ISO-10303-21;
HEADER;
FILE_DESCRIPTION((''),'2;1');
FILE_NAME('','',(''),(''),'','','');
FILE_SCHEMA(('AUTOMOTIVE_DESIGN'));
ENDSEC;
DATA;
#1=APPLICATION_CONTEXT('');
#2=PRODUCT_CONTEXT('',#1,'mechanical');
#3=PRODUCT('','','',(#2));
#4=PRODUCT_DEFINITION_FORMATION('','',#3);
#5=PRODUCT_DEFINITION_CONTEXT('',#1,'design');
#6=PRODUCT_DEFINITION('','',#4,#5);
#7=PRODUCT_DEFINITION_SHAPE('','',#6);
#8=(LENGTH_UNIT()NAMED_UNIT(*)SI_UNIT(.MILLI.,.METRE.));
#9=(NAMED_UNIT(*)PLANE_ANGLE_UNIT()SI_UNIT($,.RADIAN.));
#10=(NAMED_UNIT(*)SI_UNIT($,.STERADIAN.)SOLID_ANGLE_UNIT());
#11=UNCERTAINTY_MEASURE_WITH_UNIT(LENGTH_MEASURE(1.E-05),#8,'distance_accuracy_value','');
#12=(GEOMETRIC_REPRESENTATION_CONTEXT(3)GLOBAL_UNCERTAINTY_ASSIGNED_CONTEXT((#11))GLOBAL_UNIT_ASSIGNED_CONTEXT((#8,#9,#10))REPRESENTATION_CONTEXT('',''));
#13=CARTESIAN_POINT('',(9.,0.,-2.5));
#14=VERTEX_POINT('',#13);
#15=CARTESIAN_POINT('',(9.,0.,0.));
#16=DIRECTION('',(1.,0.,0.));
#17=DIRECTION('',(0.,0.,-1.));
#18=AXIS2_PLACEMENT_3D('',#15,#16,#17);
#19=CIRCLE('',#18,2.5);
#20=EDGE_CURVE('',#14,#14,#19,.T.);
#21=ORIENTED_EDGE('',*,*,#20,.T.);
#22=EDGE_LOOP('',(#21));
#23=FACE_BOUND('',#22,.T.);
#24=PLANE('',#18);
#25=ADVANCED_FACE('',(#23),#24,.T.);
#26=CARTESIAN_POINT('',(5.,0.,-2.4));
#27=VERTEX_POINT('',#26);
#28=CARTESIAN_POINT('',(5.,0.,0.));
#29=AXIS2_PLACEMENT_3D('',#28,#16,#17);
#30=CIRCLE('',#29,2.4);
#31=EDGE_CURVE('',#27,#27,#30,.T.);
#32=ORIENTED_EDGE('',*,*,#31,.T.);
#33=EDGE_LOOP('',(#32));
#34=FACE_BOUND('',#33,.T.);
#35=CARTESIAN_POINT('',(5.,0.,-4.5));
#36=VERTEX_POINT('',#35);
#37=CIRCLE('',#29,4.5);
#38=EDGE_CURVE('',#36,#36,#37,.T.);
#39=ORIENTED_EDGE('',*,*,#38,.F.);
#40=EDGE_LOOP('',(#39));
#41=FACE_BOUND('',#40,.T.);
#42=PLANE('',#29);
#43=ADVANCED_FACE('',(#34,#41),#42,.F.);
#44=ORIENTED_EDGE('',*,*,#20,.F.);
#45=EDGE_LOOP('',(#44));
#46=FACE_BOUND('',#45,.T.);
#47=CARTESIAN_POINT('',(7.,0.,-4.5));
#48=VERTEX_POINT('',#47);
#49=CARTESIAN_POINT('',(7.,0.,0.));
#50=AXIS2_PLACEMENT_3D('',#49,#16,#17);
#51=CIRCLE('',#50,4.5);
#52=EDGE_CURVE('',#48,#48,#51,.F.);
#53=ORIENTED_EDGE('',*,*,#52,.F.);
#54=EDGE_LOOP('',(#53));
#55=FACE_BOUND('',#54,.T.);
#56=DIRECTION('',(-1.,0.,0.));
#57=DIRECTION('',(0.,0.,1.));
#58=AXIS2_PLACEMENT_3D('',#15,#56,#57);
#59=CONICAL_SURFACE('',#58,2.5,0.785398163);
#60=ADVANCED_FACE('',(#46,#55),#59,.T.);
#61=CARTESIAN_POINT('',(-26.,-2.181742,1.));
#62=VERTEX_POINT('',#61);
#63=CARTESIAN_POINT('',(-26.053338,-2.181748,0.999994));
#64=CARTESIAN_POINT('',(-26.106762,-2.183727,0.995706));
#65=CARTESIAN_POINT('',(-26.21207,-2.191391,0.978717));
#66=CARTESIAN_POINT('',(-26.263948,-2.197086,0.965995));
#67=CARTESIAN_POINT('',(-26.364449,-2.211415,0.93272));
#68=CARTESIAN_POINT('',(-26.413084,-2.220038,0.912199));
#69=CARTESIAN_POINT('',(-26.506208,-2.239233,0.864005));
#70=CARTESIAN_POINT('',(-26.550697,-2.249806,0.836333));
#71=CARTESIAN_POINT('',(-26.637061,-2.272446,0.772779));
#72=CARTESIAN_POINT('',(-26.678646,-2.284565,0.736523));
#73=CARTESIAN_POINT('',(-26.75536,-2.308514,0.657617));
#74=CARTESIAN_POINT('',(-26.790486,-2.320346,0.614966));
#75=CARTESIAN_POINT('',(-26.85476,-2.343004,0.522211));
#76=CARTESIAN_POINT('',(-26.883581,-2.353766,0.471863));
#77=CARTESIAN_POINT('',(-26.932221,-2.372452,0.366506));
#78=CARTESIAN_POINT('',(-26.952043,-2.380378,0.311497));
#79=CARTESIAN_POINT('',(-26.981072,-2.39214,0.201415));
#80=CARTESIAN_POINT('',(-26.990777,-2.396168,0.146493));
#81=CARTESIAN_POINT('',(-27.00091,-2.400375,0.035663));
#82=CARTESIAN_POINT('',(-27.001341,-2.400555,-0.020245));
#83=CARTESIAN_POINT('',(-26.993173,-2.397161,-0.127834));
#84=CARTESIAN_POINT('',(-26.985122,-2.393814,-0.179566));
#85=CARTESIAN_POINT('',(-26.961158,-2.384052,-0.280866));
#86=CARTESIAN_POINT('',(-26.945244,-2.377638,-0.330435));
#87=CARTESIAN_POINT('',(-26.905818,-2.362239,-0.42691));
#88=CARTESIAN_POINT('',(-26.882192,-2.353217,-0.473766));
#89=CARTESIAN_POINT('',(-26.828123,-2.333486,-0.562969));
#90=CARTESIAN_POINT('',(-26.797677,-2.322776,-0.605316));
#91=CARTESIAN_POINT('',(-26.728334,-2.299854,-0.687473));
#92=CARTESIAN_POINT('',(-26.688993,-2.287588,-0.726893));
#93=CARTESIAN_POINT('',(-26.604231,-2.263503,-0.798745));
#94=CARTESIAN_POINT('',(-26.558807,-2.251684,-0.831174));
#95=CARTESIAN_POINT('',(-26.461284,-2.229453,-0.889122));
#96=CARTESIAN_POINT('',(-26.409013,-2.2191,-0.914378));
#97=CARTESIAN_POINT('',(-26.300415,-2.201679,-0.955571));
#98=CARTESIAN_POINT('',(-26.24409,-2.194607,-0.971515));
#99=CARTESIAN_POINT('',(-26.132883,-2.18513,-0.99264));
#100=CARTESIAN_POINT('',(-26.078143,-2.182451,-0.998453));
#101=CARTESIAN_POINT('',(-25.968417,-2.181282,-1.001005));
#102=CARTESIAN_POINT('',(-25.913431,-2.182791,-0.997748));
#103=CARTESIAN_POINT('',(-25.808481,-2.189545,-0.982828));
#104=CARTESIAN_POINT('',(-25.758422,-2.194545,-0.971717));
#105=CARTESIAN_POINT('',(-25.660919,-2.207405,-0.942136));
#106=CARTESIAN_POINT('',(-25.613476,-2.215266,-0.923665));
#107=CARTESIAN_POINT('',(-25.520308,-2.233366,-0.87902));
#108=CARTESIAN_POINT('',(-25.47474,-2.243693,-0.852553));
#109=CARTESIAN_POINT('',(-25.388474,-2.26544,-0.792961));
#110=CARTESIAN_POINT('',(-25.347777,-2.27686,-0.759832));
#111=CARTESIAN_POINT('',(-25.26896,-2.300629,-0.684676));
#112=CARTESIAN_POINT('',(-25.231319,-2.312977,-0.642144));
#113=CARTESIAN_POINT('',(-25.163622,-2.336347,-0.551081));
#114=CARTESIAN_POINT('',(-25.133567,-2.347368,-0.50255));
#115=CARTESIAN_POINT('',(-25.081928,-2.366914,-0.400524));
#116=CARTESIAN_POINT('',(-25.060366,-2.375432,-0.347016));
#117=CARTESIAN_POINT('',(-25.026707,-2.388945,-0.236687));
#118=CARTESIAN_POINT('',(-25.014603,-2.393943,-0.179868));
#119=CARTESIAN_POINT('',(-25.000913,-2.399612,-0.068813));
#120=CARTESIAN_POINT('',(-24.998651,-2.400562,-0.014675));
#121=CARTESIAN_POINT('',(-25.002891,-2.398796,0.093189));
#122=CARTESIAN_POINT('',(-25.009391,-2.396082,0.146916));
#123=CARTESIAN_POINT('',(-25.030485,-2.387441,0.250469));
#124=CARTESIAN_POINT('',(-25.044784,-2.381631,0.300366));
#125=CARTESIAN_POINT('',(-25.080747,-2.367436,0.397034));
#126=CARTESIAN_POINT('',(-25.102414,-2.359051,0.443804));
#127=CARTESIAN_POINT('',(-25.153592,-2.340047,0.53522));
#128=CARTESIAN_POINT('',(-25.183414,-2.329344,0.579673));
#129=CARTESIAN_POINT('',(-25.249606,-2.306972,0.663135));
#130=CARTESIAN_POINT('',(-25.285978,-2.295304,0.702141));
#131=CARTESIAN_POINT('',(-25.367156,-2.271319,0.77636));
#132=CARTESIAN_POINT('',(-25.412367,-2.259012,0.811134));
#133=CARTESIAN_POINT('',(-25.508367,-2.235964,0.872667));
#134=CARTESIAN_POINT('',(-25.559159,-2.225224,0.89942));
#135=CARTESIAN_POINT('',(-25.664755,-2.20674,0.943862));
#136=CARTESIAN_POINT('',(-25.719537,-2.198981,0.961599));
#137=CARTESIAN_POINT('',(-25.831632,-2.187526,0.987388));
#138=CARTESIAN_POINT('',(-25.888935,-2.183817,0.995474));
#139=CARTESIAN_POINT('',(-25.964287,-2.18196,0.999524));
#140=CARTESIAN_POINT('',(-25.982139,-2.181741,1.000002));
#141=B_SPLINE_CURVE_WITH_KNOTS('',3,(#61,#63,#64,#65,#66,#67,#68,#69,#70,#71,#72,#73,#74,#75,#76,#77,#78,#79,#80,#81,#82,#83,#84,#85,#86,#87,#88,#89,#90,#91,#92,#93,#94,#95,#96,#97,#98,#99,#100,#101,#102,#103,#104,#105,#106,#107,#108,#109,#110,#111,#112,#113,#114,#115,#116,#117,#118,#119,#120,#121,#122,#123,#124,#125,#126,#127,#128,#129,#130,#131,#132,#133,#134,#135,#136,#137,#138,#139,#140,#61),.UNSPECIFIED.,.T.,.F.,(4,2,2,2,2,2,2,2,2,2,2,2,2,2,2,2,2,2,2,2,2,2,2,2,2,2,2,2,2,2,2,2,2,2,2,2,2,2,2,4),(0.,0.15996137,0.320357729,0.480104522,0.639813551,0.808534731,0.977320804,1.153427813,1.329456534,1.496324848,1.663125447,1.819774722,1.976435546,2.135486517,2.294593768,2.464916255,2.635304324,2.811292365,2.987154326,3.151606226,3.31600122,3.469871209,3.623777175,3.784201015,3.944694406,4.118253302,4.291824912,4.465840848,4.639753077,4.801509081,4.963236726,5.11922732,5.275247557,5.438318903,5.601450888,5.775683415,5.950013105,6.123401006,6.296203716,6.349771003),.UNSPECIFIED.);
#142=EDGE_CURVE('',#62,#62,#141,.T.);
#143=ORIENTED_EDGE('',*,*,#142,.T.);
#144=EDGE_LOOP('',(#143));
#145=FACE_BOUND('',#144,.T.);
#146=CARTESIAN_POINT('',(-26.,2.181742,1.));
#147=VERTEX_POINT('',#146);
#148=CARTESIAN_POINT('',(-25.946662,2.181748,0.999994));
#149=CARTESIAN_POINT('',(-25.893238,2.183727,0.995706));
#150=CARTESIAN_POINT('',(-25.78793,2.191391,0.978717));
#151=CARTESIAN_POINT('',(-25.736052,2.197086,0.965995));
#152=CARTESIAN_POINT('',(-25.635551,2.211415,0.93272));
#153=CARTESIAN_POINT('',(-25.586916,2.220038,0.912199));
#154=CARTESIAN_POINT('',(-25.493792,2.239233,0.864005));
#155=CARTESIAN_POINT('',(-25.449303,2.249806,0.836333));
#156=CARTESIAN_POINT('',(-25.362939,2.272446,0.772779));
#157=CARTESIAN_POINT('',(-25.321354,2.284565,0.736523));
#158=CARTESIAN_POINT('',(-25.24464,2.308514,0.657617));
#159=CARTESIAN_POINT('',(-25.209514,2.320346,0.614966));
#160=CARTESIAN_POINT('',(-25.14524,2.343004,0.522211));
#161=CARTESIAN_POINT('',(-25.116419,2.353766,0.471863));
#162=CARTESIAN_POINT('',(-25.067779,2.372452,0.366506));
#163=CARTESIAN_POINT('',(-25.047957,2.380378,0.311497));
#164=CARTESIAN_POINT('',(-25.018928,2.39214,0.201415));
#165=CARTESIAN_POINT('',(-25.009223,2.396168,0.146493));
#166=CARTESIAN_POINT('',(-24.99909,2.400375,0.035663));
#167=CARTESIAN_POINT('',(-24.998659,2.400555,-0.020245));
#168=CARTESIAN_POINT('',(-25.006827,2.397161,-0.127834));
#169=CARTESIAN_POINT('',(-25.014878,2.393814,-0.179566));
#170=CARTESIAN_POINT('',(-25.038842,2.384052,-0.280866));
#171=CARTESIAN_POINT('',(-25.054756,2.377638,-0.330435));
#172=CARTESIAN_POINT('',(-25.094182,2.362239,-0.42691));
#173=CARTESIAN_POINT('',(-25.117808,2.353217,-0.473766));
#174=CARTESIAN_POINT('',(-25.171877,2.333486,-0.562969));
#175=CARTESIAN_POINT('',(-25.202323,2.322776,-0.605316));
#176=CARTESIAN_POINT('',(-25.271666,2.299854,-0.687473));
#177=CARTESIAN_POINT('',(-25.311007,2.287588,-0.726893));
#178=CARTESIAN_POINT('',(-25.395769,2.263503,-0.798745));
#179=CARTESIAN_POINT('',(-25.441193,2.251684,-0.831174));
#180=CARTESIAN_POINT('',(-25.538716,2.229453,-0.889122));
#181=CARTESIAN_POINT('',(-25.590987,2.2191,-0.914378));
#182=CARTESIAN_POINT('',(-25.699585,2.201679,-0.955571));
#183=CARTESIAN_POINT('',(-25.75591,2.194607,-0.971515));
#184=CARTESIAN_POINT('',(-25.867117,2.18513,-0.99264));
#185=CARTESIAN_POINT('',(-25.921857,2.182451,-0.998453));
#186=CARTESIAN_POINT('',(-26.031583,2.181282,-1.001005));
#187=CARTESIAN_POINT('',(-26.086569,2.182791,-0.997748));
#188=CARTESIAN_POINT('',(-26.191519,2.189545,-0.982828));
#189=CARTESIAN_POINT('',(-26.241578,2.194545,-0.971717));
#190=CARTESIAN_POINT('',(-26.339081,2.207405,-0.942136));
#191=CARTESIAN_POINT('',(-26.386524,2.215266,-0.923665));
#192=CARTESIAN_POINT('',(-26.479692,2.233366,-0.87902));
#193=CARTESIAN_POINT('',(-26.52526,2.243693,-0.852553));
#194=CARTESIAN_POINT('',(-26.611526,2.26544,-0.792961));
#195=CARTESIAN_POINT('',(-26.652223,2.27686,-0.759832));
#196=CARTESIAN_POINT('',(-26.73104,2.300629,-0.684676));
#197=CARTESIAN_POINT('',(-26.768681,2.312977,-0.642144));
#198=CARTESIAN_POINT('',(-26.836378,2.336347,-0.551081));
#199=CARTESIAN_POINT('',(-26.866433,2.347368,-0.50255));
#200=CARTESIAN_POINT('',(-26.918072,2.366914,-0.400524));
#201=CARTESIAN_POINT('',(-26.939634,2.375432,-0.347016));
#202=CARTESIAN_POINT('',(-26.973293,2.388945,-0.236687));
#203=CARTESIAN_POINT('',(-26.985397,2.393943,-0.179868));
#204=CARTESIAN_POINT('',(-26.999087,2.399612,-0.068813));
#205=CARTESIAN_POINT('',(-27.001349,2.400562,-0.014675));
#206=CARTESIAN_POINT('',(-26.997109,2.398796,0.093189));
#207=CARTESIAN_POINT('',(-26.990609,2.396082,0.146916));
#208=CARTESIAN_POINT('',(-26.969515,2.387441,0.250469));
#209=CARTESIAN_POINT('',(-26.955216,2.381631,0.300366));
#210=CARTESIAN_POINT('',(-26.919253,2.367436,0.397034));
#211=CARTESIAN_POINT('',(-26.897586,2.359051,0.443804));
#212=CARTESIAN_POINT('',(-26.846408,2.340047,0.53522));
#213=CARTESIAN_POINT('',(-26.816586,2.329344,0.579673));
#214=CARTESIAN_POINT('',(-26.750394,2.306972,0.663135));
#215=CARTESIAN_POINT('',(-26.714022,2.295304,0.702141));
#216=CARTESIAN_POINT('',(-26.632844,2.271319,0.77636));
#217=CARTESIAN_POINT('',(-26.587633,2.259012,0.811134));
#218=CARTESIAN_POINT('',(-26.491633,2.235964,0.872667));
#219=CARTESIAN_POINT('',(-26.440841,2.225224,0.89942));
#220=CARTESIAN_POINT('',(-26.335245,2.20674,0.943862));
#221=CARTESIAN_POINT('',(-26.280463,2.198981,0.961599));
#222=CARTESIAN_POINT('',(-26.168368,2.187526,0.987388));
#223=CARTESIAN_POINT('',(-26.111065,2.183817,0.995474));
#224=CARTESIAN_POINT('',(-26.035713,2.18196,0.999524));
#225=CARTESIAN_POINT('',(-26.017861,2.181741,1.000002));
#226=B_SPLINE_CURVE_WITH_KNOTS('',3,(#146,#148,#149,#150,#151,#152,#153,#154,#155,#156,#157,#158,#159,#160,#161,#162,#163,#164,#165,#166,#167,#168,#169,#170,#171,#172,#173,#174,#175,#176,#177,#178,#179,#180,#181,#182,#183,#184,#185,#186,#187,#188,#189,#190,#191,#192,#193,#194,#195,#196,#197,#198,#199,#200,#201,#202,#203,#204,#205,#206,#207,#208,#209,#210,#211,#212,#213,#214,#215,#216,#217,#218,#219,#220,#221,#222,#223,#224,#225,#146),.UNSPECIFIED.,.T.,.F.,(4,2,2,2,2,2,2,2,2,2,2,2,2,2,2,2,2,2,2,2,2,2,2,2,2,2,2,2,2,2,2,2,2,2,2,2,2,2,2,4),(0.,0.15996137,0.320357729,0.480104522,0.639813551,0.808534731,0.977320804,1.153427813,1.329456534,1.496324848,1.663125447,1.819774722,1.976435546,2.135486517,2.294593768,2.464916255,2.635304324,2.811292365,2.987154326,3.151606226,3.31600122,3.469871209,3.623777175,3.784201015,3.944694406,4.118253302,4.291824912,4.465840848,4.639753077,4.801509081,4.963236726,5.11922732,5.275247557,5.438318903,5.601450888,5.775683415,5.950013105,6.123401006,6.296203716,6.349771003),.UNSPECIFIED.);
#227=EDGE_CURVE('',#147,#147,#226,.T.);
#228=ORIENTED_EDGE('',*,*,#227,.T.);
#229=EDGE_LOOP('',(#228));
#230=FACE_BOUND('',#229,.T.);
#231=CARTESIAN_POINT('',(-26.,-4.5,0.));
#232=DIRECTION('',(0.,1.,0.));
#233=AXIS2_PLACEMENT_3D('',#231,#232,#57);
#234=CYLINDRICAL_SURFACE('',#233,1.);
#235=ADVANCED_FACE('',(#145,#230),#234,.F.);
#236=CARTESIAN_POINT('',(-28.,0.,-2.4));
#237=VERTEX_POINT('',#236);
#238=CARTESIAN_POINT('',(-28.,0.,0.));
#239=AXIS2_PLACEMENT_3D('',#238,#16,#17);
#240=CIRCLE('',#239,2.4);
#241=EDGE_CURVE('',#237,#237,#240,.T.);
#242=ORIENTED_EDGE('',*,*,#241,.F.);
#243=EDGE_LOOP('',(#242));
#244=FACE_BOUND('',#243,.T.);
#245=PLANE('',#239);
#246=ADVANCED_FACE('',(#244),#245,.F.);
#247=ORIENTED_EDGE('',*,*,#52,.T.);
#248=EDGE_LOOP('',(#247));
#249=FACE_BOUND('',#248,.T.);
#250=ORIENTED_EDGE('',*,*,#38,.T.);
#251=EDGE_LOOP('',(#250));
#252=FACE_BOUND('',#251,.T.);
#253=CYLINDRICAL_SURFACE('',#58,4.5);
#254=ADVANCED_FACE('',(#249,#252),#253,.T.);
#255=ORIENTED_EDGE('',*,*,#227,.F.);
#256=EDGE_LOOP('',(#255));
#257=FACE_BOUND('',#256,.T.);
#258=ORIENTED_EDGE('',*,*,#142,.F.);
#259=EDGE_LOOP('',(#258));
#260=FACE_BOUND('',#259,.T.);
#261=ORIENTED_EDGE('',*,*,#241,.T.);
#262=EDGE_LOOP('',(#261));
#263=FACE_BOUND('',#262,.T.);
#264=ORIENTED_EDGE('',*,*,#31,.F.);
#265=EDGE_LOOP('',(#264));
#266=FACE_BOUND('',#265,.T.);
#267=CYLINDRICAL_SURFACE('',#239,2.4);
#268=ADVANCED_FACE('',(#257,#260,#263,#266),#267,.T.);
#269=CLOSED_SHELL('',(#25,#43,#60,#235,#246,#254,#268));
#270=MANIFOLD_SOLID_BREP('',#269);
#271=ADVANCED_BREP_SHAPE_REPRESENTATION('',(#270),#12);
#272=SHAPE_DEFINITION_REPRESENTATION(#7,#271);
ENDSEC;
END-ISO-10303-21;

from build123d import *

# Parameters (mm, degrees)
DODANIE_WYCI_GNI_CIE1_DEPTH      = 5
DODANIE_WYCI_GNI_CIE1_DEPTH_BACK = 28
SZKIC1_R                         = 2.4
SZKIC2_R                         = 4.5
DODANIE_WYCI_GNI_CIE2_DEPTH      = 4
SFAZOWANIE1_SIZE                 = 2
WYTNIJ_WYCI_GNI_CIE1_DEPTH       = 29.714108031
WYTNIJ_WYCI_GNI_CIE1_DEPTH_BACK  = 29.714108031
SZKIC3_R                         = 1


with BuildPart() as part:
    # Szkic1 → Dodanie-wyciągnięcie1 (new, two sides: drawn at the far end of the back side and taken through both)
    with BuildSketch(Plane(origin=(0, 0, 0), x_dir=(0, 0, -1), z_dir=(1, 0, 0)).offset(-DODANIE_WYCI_GNI_CIE1_DEPTH_BACK)):
        Circle(SZKIC1_R)
    extrude(amount=DODANIE_WYCI_GNI_CIE1_DEPTH + DODANIE_WYCI_GNI_CIE1_DEPTH_BACK)

    # Szkic2 → Dodanie-wyciągnięcie2 (add)
    with BuildSketch(Plane(origin=(5, 0, 0), x_dir=(0, 0, -1), z_dir=(1, 0, 0))):
        Circle(SZKIC2_R)
    extrude(amount=DODANIE_WYCI_GNI_CIE2_DEPTH)

    # Sfazowanie1
    sfazowanie1_edges = [part.edges().sort_by_distance(p)[0] for p in [
        (9, 0, 4.5),
    ]]
    chamfer(sfazowanie1_edges, length=SFAZOWANIE1_SIZE)

    # Szkic3 → Wytnij-wyciągnięcie1 (cut, two sides: drawn at the far end of the back side and taken through both)
    with BuildSketch(Plane(origin=(0, 0, 0), x_dir=(1, 0, 0), z_dir=(0, 1, 0)).offset(-WYTNIJ_WYCI_GNI_CIE1_DEPTH_BACK)):
        with Locations(Location((-26, 0, 0), (0, 0, 270))):
            Circle(SZKIC3_R)
    extrude(amount=WYTNIJ_WYCI_GNI_CIE1_DEPTH + WYTNIJ_WYCI_GNI_CIE1_DEPTH_BACK, mode=Mode.SUBTRACT)


solid = part.part
